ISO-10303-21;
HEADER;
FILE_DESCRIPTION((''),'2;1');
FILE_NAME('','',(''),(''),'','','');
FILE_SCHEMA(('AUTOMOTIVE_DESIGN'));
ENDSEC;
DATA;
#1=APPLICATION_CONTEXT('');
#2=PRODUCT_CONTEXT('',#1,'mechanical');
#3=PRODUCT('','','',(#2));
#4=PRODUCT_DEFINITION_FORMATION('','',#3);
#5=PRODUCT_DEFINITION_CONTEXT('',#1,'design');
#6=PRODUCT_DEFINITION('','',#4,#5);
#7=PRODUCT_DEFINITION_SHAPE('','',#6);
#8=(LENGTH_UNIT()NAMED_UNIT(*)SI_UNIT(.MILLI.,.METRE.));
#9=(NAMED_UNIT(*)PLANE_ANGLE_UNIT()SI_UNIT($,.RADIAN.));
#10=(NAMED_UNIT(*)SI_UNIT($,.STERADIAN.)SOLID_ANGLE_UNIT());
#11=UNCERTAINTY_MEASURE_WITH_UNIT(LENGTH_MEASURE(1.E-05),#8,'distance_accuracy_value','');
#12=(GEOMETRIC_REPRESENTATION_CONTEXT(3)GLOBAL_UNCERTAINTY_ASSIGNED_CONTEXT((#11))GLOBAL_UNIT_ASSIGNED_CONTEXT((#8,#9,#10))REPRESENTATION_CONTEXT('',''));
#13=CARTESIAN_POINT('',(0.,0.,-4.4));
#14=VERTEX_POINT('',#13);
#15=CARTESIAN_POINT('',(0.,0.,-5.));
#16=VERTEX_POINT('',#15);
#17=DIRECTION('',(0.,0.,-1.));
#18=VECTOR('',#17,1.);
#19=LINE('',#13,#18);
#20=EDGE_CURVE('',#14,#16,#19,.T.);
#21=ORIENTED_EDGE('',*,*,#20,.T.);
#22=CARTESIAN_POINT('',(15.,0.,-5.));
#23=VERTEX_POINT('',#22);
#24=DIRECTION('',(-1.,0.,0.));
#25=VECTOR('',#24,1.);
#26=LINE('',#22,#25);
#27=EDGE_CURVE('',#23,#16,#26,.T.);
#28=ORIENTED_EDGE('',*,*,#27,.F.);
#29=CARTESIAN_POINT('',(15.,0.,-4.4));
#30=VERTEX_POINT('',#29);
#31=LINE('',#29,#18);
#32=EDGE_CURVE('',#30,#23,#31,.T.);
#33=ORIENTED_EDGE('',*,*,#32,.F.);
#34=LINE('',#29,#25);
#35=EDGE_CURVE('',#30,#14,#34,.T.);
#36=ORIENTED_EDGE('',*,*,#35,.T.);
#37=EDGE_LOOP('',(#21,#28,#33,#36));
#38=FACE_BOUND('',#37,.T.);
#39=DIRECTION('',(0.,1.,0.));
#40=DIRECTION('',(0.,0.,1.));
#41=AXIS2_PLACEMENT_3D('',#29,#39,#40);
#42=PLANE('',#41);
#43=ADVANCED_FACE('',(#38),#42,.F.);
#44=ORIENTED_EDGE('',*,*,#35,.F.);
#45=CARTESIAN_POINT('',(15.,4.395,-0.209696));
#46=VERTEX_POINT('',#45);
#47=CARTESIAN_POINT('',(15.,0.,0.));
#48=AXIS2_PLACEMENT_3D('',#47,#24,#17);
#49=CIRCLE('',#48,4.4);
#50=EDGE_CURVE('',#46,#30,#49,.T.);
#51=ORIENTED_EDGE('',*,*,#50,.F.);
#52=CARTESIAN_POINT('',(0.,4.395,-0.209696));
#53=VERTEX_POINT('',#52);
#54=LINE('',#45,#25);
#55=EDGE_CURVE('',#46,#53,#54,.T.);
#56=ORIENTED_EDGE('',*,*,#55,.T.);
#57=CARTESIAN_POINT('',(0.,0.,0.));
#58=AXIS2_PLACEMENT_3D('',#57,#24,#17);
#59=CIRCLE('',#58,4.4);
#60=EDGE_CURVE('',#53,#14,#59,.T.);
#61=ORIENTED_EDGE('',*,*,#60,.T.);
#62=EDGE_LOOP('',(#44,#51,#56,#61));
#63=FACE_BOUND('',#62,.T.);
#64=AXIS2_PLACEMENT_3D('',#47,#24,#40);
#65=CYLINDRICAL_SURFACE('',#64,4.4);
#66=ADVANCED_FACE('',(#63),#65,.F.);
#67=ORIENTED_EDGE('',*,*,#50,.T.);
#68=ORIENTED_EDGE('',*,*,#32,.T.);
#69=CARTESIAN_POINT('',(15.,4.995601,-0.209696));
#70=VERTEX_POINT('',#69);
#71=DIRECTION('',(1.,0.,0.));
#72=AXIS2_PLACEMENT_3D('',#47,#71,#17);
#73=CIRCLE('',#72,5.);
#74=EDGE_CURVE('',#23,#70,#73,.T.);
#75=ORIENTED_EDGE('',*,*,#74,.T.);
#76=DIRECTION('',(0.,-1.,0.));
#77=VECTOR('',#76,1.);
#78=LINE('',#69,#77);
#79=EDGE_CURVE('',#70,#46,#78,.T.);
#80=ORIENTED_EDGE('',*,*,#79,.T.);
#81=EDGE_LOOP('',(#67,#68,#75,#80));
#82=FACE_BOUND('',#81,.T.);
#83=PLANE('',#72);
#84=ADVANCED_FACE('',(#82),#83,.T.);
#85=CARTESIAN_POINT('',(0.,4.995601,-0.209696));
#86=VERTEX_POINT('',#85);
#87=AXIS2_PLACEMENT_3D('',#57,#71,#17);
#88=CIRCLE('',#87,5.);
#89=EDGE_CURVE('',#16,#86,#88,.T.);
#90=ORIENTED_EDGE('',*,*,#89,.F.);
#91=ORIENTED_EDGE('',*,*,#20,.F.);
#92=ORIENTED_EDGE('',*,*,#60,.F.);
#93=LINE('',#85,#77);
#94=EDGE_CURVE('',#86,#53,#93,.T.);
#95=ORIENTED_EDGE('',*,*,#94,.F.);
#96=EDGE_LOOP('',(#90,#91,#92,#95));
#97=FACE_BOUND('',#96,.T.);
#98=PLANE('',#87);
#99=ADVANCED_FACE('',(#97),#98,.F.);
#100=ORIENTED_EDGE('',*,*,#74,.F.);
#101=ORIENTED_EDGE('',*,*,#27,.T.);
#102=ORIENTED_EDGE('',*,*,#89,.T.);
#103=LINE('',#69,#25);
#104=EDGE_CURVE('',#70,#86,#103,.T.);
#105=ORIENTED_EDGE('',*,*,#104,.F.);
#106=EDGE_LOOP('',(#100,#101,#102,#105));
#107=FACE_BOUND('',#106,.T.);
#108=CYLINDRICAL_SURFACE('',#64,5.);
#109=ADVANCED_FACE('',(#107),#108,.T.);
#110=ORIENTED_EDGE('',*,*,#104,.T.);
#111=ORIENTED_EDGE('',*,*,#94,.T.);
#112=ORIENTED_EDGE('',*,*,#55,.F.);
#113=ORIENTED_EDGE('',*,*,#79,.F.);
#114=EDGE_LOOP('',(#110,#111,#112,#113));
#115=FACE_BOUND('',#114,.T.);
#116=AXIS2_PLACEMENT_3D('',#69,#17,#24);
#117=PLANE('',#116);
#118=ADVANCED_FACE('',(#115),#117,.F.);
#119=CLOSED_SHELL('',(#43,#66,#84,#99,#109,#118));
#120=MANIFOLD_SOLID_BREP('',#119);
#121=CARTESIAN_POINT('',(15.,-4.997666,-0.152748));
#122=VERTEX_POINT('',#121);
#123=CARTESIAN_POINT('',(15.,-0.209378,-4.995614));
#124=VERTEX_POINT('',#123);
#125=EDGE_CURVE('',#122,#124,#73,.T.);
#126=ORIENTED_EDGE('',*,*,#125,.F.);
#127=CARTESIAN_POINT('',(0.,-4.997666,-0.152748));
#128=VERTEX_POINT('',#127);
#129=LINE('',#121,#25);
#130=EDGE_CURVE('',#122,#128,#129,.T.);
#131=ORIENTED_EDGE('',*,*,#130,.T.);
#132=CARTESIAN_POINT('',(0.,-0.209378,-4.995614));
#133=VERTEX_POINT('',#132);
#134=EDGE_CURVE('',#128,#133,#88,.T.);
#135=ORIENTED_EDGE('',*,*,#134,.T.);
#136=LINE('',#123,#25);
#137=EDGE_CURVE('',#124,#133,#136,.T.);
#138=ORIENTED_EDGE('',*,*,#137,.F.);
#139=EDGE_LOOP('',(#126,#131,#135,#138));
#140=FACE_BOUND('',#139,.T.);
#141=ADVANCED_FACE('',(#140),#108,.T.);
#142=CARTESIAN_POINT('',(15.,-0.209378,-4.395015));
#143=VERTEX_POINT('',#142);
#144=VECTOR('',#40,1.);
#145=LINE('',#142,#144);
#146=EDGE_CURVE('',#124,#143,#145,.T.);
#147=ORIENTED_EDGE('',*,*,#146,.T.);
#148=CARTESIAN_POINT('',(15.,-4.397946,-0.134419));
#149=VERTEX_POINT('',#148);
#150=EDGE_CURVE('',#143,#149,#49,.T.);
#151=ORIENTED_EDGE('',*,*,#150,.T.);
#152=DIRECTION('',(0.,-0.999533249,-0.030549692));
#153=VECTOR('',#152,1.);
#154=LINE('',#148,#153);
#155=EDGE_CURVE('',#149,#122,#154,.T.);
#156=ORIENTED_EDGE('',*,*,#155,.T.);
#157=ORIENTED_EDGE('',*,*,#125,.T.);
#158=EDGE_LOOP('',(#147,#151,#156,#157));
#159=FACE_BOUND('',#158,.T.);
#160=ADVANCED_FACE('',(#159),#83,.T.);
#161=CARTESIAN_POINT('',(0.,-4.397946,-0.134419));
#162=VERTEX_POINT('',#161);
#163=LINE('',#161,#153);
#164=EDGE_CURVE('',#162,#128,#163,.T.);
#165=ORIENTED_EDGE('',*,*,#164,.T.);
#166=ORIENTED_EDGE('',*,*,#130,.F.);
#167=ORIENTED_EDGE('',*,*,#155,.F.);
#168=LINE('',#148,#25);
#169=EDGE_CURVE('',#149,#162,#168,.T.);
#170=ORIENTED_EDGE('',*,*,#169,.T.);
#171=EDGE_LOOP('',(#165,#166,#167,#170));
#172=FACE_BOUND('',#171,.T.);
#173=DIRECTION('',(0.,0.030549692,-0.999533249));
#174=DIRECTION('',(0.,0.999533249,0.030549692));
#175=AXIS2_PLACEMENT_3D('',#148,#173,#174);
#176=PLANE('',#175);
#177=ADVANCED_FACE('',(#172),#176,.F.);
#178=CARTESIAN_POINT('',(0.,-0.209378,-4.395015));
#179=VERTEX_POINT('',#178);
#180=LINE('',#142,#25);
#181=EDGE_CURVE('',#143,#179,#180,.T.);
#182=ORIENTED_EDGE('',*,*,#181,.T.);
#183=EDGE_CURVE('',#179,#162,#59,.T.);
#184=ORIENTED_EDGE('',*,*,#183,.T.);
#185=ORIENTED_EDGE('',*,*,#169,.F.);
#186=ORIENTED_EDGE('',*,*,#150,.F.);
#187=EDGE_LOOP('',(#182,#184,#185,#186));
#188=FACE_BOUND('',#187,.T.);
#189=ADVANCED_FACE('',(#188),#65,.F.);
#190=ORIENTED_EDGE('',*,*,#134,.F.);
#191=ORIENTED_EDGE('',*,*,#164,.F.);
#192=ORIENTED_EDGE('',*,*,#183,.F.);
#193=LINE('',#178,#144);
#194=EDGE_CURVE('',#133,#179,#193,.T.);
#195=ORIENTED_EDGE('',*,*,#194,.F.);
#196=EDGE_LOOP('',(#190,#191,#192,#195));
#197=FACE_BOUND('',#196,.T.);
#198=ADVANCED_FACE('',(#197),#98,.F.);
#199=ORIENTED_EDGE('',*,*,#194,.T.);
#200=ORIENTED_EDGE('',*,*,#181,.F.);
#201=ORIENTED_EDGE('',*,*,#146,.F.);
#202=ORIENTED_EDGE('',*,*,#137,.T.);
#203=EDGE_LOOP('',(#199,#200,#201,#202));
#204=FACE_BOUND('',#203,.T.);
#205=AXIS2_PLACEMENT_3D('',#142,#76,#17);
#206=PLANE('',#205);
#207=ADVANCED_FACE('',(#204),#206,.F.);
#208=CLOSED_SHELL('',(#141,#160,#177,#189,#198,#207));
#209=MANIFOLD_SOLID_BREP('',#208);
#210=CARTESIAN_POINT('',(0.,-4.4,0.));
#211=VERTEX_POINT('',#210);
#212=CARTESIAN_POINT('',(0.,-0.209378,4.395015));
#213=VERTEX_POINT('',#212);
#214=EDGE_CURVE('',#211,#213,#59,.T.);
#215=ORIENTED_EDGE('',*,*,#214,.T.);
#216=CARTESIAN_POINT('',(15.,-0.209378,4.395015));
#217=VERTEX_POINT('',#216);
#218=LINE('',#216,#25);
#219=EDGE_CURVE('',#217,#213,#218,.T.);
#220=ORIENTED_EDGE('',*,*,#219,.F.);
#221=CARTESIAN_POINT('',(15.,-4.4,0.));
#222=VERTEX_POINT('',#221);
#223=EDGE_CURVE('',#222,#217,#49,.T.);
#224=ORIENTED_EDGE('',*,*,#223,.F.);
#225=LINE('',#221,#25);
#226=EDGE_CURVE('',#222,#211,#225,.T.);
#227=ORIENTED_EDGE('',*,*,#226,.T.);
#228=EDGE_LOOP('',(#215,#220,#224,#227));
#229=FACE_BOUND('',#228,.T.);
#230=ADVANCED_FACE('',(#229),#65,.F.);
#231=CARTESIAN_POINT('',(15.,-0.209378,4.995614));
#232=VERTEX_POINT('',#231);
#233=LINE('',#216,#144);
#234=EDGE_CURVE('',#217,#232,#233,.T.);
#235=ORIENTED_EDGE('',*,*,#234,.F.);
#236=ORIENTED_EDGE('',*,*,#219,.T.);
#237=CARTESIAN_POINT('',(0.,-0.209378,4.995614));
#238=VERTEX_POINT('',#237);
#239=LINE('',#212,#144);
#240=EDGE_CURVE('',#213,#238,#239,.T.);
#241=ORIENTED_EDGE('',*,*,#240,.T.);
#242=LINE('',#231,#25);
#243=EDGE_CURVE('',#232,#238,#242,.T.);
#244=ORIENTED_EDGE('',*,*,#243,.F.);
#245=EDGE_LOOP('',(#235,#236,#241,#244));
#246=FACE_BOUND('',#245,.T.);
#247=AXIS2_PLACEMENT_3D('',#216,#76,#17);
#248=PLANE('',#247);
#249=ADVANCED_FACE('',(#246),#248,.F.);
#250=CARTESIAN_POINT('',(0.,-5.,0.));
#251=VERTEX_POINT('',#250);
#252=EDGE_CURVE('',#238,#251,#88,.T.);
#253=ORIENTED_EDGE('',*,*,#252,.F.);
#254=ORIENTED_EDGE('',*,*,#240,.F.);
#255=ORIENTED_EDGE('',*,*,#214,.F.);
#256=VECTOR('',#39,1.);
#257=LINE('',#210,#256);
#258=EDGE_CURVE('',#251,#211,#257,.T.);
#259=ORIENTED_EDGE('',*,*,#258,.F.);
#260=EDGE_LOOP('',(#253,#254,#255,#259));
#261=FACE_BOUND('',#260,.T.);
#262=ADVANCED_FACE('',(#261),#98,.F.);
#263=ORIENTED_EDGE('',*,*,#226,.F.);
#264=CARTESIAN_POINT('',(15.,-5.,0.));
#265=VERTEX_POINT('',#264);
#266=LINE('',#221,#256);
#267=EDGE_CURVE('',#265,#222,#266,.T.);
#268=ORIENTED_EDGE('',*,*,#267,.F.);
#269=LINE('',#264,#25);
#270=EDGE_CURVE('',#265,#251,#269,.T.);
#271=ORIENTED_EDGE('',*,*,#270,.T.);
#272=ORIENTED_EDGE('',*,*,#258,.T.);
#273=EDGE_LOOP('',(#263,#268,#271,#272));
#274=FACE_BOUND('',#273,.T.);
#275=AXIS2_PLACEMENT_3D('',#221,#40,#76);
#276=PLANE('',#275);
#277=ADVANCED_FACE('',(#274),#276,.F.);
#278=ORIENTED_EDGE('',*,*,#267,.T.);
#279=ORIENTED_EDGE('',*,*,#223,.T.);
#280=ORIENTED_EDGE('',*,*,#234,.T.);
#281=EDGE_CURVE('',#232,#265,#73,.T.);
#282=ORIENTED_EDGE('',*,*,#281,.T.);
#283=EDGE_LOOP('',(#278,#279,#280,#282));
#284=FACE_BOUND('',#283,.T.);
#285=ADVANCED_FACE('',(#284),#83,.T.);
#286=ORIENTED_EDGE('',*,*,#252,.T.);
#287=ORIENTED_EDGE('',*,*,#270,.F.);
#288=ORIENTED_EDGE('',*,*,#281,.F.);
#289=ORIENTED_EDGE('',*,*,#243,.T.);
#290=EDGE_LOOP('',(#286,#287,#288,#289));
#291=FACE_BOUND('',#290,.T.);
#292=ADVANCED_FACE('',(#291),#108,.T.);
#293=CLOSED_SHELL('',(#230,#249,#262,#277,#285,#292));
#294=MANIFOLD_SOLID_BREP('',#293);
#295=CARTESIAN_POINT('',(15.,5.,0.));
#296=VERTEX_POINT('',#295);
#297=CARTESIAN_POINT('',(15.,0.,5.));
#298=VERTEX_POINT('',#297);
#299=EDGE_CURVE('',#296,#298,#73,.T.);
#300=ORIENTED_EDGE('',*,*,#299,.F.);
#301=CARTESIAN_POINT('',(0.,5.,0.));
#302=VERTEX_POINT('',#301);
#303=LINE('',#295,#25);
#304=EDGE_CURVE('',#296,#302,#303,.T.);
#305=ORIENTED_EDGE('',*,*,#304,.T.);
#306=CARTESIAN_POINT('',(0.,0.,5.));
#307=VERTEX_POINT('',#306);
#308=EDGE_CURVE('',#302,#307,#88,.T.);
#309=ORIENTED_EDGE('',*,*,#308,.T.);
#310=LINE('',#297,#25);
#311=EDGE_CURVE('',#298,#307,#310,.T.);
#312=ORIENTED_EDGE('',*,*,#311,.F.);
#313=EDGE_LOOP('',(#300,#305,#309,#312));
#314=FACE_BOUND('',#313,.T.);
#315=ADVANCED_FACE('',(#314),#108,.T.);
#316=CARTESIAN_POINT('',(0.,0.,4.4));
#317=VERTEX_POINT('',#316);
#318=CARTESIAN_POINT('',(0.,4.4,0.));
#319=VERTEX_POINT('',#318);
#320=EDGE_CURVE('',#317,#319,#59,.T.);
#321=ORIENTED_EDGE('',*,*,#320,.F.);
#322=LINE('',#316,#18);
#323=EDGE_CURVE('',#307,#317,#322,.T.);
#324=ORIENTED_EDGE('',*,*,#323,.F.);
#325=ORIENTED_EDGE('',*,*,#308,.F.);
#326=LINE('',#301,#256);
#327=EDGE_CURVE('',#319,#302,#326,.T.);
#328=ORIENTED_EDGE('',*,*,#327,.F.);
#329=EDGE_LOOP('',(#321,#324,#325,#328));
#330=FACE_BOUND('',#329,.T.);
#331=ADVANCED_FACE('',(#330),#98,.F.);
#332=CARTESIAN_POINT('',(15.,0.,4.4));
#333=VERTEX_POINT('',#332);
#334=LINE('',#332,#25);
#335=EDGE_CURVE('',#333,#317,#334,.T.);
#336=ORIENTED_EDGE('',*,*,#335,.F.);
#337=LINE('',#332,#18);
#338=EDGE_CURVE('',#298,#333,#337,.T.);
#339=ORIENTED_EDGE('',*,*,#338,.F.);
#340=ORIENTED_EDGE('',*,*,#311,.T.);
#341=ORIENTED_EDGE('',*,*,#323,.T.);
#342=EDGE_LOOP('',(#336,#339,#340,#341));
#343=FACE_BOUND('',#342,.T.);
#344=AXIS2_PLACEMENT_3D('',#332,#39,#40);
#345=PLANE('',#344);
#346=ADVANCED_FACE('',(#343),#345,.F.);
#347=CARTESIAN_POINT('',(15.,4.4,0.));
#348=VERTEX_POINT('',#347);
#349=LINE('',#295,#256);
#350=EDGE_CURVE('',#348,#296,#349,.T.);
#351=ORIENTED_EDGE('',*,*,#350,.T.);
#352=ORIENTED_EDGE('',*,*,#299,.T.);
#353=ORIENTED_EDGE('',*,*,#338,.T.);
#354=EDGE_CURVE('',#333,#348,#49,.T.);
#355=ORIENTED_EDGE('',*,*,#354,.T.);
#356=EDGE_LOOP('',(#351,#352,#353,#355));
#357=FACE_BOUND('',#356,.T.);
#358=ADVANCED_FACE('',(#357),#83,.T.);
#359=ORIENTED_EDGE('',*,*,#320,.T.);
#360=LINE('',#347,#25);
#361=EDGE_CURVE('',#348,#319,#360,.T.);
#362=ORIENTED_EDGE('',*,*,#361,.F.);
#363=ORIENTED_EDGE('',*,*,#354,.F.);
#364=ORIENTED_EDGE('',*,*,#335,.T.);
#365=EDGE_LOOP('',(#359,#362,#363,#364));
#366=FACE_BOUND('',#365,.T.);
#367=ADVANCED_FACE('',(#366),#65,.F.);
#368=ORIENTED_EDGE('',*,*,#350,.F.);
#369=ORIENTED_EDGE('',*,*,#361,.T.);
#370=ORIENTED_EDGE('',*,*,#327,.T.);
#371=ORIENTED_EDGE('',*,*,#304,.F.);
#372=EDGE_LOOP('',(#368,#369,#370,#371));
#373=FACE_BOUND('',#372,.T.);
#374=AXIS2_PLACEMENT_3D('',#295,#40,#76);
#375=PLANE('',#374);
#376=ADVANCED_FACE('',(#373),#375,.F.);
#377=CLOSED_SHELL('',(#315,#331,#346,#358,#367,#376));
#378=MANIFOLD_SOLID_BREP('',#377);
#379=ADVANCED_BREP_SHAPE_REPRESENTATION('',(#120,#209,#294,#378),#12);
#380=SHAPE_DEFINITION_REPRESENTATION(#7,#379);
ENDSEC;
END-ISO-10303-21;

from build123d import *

# Parameters (mm, degrees)
BOSS_EXTRUDE1_DEPTH   = 15
BOSS_EXTRUDE1_2_DEPTH = 15
BOSS_EXTRUDE1_3_DEPTH = 15
BOSS_EXTRUDE1_4_DEPTH = 15


with BuildPart() as part:
    # Sketch2 → Boss-Extrude1 (new body)
    with BuildSketch(Plane(origin=(0, 0, 0), x_dir=(0, 0, -1), z_dir=(1, 0, 0))):
        with BuildLine():
            Line((-4.395015478, -0.209377526), (-4.995614182, -0.209377526))
            ThreePointArc((-4.995614182, -0.209377526), (-3.460716138, -3.608800883), (0, -5))
            Line((0, -5), (0, -4.4))
            ThreePointArc((0, -4.4), (-3.036341457, -3.184435673), (-4.395015478, -0.209377526))
        make_face()
    extrude(amount=BOSS_EXTRUDE1_DEPTH)


with BuildPart() as body_2:
    # Sketch2 → Boss-Extrude1 2 (new body)
    with BuildSketch(Plane(origin=(0, 0, 0), x_dir=(0, 0, -1), z_dir=(1, 0, 0))):
        with BuildLine():
            Line((-4.4, 0), (-5, 0))
            ThreePointArc((-5, 0), (-3.535533906, 3.535533906), (0, 5))
            Line((0, 5), (0, 4.4))
            ThreePointArc((0, 4.4), (-3.111269837, 3.111269837), (-4.4, 0))
        make_face()
    extrude(amount=BOSS_EXTRUDE1_2_DEPTH)


with BuildPart() as body_3:
    # Sketch2 → Boss-Extrude1 3 (new body)
    with BuildSketch(Plane(origin=(0, 0, 0), x_dir=(0, 0, -1), z_dir=(1, 0, 0))):
        with BuildLine():
            Line((0.209696333, 4.99560081), (0.209696333, 4.395000278))
            ThreePointArc((0.209696333, 4.395000278), (3.184545797, 3.036225958), (4.4, 0))
            Line((4.4, 0), (5, 0))
            ThreePointArc((5, 0), (3.608911308, 3.460600984), (0.209696333, 4.99560081))
        make_face()
    extrude(amount=BOSS_EXTRUDE1_3_DEPTH)


with BuildPart() as body_4:
    # Sketch2 → Boss-Extrude1 4 (new body)
    with BuildSketch(Plane(origin=(0, 0, 0), x_dir=(0, 0, -1), z_dir=(1, 0, 0))):
        with BuildLine():
            Line((4.395015478, -0.209377526), (4.995614182, -0.209377526))
            ThreePointArc((4.995614182, -0.209377526), (3.515442603, -3.55551168), (0.152748462, -4.997666246))
            Line((0.152748462, -4.997666246), (0.134418647, -4.397946297))
            ThreePointArc((0.134418647, -4.397946297), (3.084634575, -3.137679005), (4.395015478, -0.209377526))
        make_face()
    extrude(amount=BOSS_EXTRUDE1_4_DEPTH)


solid = Compound([part.part, body_2.part, body_3.part, body_4.part])
